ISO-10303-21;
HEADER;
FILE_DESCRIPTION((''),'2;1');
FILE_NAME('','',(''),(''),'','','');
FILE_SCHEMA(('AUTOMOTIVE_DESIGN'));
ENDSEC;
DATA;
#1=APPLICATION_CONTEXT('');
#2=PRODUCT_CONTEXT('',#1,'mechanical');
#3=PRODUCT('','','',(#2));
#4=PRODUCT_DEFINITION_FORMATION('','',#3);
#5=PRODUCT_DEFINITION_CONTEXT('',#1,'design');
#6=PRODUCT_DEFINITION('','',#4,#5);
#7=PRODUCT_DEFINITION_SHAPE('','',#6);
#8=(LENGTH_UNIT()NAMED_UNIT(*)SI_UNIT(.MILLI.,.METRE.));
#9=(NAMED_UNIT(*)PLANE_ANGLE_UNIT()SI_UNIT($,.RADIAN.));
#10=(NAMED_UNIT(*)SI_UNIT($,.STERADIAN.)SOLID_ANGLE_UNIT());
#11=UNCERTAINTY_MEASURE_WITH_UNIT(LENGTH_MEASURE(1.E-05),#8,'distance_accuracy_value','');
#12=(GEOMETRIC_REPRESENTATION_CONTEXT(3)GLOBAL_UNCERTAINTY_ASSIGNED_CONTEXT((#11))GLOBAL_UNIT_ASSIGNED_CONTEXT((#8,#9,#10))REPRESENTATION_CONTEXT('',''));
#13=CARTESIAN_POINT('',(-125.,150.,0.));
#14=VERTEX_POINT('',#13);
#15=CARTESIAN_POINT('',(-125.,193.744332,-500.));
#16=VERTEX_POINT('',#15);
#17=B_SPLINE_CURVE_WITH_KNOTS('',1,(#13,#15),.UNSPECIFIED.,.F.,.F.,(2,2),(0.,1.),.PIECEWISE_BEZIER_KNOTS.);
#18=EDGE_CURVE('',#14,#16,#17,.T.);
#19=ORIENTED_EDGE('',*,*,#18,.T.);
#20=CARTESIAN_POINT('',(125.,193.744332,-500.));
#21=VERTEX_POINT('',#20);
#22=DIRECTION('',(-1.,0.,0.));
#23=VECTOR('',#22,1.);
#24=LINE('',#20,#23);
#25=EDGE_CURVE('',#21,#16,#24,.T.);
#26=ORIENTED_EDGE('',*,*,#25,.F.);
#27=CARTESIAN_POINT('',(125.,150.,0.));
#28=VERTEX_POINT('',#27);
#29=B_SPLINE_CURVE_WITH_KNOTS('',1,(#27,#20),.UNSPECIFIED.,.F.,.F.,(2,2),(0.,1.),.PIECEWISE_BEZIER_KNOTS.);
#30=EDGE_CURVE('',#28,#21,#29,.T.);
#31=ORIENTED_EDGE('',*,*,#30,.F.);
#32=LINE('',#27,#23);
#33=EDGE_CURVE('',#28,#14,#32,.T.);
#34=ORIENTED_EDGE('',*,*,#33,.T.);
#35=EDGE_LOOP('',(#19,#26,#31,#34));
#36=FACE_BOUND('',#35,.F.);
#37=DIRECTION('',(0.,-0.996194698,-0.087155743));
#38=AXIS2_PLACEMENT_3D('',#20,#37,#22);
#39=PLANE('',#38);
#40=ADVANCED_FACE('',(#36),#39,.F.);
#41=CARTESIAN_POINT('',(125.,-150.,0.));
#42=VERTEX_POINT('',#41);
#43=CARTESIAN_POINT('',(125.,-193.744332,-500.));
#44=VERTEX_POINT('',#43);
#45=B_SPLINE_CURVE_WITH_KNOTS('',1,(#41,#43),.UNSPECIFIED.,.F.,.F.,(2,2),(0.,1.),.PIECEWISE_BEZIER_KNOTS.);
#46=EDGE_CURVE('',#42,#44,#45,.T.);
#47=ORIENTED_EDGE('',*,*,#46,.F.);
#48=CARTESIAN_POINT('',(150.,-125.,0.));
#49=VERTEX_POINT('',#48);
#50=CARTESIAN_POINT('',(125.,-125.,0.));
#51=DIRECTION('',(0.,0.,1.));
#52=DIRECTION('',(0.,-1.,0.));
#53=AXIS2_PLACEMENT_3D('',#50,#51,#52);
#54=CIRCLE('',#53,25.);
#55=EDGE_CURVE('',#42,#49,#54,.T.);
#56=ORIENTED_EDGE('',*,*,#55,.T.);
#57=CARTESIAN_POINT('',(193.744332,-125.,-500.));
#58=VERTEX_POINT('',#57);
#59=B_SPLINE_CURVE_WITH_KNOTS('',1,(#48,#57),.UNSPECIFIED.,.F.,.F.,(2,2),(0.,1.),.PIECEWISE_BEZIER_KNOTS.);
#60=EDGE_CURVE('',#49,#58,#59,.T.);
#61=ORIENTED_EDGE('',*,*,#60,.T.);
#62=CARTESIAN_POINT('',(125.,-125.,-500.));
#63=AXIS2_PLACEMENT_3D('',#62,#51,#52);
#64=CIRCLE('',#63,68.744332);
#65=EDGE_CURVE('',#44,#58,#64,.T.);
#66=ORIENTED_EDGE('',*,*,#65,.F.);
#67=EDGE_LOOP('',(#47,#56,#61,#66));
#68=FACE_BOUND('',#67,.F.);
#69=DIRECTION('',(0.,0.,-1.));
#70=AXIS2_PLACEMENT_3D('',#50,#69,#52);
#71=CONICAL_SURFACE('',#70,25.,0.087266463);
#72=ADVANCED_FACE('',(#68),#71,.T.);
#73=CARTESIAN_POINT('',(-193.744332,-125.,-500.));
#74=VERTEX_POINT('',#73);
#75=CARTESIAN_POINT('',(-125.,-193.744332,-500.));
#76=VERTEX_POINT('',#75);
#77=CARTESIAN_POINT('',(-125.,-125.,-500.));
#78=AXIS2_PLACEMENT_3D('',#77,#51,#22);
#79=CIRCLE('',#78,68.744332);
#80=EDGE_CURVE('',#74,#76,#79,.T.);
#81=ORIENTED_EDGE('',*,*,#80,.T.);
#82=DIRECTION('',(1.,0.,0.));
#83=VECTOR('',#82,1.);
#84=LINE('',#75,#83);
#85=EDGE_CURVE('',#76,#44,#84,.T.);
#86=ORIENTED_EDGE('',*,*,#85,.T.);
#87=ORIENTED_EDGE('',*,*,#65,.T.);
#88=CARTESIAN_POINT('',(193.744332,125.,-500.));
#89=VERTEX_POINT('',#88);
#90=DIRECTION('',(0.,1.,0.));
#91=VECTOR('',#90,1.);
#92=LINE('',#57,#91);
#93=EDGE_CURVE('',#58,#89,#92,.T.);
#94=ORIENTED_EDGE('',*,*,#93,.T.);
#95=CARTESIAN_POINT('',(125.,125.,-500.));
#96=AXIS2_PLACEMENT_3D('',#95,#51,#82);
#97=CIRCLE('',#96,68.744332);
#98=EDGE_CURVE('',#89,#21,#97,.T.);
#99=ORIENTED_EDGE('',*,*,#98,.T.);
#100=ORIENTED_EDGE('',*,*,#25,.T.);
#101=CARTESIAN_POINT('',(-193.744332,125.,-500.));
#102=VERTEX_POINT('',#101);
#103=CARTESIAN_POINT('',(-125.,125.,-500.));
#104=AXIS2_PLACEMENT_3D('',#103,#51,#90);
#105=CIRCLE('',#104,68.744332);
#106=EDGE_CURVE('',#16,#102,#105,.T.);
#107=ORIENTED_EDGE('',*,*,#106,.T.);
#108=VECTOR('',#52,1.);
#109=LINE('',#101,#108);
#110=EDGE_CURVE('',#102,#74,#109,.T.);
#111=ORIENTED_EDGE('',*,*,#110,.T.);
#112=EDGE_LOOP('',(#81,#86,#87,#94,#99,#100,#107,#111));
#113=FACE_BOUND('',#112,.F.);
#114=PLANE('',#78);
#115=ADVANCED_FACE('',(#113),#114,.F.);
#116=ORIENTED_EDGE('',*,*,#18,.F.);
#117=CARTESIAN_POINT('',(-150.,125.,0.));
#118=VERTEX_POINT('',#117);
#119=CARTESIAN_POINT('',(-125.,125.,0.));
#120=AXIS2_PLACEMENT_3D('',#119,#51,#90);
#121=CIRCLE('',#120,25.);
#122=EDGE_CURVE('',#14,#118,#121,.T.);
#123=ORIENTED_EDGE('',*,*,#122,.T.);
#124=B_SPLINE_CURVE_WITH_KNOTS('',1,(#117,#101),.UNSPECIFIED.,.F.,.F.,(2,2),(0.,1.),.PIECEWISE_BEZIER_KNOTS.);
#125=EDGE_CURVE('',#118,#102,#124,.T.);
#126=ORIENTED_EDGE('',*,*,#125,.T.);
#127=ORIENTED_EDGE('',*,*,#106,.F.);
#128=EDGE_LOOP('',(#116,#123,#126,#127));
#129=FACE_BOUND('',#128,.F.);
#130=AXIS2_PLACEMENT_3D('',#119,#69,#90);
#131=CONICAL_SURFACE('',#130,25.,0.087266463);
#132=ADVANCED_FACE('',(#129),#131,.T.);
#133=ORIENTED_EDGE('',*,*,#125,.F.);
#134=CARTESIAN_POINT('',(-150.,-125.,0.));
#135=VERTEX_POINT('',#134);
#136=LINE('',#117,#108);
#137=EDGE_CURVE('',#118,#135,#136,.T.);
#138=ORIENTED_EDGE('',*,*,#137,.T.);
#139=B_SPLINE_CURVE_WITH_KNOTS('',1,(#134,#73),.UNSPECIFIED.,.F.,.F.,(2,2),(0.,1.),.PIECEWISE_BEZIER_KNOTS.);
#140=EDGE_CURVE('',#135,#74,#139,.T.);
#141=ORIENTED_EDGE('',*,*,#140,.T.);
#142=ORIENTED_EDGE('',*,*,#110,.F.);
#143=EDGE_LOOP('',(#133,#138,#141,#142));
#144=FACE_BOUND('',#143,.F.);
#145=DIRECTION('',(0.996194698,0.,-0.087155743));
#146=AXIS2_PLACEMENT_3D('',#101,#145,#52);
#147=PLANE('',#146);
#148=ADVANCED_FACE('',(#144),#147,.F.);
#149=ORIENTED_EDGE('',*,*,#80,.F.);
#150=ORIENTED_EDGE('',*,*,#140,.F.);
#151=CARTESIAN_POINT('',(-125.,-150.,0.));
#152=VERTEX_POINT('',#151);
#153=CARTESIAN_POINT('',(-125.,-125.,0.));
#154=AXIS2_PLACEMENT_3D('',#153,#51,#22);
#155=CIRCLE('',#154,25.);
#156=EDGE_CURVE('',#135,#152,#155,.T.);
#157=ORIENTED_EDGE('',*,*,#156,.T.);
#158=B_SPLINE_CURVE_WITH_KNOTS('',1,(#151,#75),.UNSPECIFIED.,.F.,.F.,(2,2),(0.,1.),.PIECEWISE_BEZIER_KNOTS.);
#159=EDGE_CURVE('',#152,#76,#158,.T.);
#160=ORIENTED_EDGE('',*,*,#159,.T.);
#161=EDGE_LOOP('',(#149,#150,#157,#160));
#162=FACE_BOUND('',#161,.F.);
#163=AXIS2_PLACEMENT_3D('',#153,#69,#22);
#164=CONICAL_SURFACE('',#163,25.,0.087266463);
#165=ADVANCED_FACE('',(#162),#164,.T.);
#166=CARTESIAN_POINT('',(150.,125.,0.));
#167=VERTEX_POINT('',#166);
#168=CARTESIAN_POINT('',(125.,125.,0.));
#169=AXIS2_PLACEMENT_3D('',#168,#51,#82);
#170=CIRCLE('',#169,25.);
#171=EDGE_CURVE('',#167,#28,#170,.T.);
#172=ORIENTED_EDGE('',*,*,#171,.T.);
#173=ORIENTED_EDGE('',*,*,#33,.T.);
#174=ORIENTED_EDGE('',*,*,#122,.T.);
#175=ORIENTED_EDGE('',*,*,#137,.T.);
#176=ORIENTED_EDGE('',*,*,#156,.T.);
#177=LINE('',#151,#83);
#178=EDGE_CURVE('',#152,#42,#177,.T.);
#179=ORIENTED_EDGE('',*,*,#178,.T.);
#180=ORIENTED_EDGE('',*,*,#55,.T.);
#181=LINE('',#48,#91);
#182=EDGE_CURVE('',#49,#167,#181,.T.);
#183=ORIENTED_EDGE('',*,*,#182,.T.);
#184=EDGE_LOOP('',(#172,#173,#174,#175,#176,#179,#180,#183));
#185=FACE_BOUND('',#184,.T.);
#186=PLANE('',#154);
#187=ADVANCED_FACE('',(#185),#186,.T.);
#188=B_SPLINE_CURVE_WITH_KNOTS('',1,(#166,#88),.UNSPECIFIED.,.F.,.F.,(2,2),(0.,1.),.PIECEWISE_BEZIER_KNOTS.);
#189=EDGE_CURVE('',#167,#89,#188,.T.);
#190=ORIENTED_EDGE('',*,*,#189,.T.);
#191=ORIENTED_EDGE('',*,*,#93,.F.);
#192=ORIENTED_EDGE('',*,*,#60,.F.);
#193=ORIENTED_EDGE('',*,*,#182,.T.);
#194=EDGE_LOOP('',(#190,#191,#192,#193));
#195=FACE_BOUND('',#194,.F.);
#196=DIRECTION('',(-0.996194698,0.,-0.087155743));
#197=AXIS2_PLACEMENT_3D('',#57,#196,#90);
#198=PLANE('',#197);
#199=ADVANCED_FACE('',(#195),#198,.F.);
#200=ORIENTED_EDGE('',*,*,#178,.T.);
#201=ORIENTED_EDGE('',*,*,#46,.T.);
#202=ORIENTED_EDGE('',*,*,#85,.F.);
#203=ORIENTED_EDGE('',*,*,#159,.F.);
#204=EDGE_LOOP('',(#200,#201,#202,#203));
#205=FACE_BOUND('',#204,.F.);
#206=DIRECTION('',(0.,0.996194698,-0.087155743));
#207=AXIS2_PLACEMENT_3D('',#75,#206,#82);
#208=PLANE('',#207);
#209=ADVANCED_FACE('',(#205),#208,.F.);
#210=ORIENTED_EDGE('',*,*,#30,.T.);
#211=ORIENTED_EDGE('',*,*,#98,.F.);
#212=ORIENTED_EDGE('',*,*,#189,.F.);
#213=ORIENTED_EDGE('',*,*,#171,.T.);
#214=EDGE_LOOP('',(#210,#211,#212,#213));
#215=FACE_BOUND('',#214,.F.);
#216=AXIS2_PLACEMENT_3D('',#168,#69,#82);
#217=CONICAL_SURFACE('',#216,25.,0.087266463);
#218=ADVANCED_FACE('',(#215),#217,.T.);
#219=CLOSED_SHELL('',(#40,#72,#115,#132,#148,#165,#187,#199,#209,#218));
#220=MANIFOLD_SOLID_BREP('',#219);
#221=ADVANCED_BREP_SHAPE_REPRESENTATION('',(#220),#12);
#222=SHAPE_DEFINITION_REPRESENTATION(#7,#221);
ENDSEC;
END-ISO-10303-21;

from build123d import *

# Parameters (mm, degrees)
F1_DEPTH = 500
F1_TAPER = -5


with BuildPart() as f1:
    # F0 (on Top) → F1 (new body)
    with BuildSketch(Plane.XY):
        with BuildLine():
            ThreePointArc((-150, -125), (-142.6776695297, -142.6776695297), (-125, -150))
            Line((-125, -150), (125, -150))
            ThreePointArc((125, -150), (142.6776695297, -142.6776695297), (150, -125))
            Line((150, -125), (150, 125))
            ThreePointArc((150, 125), (142.6776695297, 142.6776695297), (125, 150))
            Line((125, 150), (-125, 150))
            ThreePointArc((-125, 150), (-142.6776695297, 142.6776695297), (-150, 125))
            Line((-150, 125), (-150, -125))
        make_face()
    extrude(amount=-F1_DEPTH, taper=F1_TAPER)


solid = f1.part
